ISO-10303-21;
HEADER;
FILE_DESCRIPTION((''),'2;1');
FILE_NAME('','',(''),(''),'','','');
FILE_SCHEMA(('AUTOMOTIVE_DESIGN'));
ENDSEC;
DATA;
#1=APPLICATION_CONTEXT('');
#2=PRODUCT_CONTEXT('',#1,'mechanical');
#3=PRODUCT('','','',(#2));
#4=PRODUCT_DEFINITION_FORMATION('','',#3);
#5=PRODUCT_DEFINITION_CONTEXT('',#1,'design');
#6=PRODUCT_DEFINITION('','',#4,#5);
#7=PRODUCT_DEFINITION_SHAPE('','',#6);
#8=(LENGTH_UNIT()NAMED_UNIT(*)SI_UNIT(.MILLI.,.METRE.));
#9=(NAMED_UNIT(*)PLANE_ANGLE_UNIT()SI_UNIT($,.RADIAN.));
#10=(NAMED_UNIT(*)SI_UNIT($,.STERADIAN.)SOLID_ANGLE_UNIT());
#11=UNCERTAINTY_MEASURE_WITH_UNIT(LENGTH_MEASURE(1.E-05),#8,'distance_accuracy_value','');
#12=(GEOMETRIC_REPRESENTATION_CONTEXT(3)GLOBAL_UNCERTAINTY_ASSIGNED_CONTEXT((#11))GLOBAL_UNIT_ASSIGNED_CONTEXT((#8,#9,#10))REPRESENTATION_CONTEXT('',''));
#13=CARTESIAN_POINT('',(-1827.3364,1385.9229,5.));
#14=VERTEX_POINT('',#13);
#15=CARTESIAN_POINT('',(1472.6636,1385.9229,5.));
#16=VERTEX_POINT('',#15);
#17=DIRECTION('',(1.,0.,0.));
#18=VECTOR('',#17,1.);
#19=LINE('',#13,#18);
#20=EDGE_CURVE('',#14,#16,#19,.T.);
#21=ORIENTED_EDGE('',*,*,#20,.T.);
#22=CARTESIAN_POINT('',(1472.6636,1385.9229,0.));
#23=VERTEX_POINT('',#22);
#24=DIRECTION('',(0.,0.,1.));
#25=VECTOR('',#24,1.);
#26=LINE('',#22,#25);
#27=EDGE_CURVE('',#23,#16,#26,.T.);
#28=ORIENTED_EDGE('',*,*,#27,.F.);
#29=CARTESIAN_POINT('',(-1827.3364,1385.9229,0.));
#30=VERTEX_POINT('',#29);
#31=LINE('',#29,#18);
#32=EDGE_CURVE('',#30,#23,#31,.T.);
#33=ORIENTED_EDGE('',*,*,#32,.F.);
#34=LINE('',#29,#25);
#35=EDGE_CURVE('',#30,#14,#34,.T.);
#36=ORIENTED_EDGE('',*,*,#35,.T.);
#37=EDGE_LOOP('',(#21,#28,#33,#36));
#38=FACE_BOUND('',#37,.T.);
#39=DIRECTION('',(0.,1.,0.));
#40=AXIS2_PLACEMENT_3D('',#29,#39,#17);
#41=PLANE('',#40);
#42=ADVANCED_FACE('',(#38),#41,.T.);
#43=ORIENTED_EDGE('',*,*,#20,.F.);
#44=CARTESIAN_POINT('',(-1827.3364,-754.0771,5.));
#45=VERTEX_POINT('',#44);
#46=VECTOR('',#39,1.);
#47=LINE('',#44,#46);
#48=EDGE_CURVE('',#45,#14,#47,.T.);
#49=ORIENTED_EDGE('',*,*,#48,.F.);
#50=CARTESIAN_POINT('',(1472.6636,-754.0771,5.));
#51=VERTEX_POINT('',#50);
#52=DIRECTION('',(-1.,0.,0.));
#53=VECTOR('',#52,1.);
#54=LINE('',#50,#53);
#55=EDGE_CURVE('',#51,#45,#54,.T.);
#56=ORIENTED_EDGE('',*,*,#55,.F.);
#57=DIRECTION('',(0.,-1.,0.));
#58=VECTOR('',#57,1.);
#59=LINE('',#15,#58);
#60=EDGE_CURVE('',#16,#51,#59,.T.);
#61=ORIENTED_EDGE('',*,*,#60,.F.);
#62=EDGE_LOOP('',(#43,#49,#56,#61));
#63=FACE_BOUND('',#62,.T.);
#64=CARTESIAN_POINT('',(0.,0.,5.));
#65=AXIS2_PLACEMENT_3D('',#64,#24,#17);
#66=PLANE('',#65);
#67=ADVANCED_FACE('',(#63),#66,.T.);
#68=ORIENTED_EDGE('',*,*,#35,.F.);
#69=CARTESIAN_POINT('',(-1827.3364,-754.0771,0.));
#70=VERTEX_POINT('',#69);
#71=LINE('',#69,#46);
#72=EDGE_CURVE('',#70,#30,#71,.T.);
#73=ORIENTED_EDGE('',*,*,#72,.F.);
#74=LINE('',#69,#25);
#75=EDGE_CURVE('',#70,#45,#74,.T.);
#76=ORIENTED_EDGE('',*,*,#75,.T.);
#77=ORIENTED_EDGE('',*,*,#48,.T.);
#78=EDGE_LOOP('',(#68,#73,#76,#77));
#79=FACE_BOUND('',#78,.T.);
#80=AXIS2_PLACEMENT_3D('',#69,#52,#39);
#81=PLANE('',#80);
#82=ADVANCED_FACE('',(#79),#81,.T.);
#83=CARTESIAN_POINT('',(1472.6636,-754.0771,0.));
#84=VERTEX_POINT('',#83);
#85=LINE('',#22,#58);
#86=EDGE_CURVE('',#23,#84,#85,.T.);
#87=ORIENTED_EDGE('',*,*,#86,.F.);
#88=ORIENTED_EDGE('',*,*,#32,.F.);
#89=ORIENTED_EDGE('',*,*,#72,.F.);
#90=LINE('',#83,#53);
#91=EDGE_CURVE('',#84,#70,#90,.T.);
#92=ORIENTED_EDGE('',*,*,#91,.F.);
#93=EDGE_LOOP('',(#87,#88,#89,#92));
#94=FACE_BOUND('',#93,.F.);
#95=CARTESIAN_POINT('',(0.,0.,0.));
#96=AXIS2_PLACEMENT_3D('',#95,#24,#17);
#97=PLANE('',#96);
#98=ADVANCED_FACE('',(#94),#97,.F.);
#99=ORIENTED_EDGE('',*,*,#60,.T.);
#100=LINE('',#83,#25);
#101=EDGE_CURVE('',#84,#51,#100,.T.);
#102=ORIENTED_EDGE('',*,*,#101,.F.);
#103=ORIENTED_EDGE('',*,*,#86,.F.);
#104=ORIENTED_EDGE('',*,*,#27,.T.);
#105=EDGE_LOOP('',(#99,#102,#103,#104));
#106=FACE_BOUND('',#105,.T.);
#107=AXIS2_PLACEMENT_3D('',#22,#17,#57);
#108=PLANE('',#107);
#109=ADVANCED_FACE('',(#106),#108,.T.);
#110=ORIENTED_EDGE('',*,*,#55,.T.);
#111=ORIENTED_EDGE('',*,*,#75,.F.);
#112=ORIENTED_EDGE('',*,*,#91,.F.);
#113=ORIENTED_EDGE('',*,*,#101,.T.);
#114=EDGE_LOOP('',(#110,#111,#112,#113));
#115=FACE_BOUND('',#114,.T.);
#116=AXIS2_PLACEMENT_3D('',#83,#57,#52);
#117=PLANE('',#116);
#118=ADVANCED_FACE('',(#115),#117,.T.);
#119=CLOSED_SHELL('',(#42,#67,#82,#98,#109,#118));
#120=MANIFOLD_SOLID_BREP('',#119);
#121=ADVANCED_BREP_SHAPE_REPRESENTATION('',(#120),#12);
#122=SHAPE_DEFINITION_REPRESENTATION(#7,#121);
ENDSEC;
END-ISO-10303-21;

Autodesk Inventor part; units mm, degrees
ref_plane "YZ Plane" through (0, 0, 0) normal (1, 0, 0) x (0, 1, 0)
ref_plane "XZ Plane" through (0, 0, 0) normal (0, 1, 0) x (-1, 0, 0)
ref_plane "XY Plane" through (0, 0, 0) normal (0, 0, 1) x (1, 0, 0)
sketch "Boceto1" plane through (0, 0, 0) normal (0, 0, 1) x (1, 0, 0)
  line L0 (-1827.3364, 1385.9229) -> (1472.6636, 1385.9229)
  line L1 (1472.6636, 1385.9229) -> (1472.6636, -754.0771)
  line L2 (1472.6636, -754.0771) -> (-1827.3364, -754.0771)
  line L3 (-1827.3364, -754.0771) -> (-1827.3364, 1385.9229)
  point P0 (0, 0)
  dimension "d2" = 3300
  dimension "d3" = 2140
extrude "Extrusión1" add sketch "Boceto1" along normal blind 5
properties part number "PLANCHA DE CRISTAL DE ESPEJO 3300x2140 mm" material "Cristal"
